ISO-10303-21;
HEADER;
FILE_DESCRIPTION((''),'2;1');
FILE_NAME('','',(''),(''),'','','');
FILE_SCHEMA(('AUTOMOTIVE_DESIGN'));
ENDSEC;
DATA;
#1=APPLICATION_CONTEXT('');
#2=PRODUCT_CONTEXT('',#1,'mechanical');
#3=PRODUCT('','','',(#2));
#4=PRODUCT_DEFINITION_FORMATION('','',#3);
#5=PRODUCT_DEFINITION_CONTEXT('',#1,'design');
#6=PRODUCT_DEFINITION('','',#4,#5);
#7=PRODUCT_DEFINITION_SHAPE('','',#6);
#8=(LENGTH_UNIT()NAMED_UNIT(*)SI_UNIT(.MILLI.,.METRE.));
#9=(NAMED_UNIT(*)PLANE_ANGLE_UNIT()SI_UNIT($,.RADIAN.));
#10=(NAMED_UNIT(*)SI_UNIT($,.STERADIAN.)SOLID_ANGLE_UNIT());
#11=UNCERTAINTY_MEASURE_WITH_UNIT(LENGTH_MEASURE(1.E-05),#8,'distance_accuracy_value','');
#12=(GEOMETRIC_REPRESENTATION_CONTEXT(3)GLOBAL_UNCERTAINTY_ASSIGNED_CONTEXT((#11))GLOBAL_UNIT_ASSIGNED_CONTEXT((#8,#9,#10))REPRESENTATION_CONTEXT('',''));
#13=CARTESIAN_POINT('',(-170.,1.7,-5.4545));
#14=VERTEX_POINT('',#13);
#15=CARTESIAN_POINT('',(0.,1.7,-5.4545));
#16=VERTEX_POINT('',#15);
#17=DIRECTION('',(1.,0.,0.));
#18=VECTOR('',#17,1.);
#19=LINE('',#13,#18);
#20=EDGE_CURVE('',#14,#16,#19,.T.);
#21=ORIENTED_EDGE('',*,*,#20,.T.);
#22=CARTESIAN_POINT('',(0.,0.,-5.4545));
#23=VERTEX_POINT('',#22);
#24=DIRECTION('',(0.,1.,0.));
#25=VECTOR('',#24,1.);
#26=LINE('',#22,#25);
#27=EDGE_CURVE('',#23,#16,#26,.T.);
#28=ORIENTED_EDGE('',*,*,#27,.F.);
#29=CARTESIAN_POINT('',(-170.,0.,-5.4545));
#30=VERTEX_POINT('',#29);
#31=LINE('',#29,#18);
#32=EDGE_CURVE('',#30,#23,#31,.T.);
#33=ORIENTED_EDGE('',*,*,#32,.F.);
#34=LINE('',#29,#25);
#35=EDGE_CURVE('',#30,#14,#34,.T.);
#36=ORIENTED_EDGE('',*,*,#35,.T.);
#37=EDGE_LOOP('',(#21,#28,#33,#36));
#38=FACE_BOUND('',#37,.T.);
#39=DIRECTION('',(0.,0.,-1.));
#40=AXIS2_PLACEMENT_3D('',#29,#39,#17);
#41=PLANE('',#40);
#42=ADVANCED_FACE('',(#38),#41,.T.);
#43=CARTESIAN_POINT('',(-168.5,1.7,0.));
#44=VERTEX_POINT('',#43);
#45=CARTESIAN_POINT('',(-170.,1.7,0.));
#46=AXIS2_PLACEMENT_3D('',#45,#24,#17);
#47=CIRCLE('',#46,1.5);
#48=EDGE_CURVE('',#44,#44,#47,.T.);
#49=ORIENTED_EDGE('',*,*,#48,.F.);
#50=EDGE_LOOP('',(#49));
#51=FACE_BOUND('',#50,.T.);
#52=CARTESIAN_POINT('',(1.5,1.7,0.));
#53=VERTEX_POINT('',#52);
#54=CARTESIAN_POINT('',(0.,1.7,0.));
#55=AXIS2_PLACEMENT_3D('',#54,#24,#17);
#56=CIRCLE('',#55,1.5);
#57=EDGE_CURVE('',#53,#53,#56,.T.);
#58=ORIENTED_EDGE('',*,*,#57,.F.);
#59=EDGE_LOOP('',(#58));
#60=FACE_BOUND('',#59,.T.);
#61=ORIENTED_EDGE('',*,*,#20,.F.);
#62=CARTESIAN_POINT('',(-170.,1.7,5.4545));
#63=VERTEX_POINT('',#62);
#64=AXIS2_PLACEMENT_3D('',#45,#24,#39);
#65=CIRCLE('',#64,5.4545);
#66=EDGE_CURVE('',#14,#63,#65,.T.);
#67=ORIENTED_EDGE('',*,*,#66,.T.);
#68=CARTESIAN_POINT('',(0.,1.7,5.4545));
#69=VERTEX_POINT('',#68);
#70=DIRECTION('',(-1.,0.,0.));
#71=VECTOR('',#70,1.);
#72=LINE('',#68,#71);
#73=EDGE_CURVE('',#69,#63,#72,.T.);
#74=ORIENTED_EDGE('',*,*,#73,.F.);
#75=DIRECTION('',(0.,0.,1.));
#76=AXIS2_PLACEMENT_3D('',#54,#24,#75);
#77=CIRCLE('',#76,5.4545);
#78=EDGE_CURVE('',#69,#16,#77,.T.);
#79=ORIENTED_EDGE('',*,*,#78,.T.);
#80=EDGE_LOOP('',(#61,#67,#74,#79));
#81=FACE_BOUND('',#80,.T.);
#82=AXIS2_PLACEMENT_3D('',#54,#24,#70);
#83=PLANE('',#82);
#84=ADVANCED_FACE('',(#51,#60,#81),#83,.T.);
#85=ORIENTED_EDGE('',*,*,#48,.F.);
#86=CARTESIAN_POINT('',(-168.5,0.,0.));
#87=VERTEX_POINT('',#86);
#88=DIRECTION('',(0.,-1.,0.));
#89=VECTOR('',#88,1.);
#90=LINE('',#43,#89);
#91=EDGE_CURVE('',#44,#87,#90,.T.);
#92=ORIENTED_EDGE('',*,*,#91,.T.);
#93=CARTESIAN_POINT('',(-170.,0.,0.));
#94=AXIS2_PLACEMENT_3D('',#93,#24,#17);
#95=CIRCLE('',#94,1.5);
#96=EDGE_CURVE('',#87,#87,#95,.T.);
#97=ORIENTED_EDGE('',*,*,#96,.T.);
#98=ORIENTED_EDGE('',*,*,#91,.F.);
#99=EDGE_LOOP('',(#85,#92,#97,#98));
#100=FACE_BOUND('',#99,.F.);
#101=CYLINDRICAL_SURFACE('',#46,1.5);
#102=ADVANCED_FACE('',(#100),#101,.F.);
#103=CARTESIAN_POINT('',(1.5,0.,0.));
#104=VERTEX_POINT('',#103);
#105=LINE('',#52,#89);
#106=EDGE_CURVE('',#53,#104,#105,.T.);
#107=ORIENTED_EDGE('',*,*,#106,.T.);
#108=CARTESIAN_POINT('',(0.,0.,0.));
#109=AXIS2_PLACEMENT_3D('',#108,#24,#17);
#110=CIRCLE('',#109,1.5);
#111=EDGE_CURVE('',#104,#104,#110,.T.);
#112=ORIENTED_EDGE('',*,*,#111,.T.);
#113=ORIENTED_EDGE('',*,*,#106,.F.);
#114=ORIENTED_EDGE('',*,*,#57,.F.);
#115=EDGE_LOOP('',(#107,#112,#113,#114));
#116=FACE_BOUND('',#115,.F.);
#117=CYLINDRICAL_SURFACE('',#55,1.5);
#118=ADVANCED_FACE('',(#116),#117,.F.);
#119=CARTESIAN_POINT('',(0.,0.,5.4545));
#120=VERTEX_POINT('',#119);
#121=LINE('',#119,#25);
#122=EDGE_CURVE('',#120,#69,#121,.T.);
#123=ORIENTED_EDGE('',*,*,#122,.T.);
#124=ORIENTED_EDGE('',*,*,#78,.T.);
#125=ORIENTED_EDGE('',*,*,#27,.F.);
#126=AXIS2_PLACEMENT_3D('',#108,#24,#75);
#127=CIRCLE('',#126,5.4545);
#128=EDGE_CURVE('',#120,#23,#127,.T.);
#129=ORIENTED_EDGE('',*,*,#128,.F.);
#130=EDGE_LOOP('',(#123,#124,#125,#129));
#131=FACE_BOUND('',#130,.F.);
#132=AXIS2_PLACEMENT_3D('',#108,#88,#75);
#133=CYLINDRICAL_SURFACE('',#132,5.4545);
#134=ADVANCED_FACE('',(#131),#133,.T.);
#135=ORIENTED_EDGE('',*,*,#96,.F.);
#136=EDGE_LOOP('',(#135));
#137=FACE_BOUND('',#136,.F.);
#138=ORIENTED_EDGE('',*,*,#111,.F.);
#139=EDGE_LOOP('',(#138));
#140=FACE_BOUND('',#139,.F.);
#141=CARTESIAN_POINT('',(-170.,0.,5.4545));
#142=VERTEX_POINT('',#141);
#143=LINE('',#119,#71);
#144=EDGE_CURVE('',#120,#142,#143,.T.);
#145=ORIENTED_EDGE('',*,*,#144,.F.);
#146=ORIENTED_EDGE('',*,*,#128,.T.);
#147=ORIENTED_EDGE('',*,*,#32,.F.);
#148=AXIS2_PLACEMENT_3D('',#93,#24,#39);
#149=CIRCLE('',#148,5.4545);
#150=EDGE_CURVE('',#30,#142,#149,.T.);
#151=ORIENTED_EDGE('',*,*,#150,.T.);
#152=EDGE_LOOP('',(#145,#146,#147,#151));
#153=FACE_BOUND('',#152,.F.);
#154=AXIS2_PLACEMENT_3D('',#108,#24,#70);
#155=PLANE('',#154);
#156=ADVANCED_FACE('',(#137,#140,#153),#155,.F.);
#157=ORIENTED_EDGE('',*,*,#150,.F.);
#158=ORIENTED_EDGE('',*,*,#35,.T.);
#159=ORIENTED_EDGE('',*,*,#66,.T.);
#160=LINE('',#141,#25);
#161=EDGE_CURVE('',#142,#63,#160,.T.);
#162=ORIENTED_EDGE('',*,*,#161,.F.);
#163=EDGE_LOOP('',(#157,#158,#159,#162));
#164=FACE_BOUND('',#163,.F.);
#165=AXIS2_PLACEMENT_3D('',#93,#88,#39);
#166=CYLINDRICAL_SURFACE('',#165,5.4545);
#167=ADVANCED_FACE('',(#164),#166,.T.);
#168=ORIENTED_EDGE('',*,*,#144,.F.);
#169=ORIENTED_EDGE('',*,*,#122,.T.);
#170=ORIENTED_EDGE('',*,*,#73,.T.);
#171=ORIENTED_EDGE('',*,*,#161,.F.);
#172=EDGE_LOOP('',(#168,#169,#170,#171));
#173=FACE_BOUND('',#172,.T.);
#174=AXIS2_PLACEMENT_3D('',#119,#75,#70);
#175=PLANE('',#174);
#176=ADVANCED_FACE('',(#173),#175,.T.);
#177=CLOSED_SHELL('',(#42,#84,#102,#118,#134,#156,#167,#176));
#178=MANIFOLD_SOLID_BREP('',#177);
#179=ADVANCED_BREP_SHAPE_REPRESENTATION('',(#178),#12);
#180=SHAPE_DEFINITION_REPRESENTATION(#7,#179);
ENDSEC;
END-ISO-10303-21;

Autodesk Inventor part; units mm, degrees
ref_plane "YZ Plane" through (0, 0, 0) normal (1, 0, 0) x (0, 1, 0)
ref_plane "XZ Plane" through (0, 0, 0) normal (0, 1, 0) x (-1, 0, 0)
ref_plane "XY Plane" through (0, 0, 0) normal (0, 0, 1) x (1, 0, 0)
sketch "Sketch1" plane through (0, 0, 0) normal (0, 1, 0) x (-1, 0, 0)
  arc A0 (0, 5.4545) -> (0, -5.4545) centre (0, 0) ccw
  arc A1 (170, -5.4545) -> (170, 5.4545) centre (170, 0) ccw
  line L0 (0, 5.4545) -> (170, 5.4545)
  line L1 (170, -5.4545) -> (0, -5.4545)
  dimension "d0" = 10.909
  dimension "d1" = 10.909
  dimension "d2" = 170
extrude "Extrusion1" add sketch "Sketch1" along normal blind 1.7
sketch "Sketch2" plane through (0, 1.7, 0) normal (0, 1, 0) x (1, 0, 0)
  arc A0 (0, -5.4545) -> (0, 5.4545) centre (0, 0) ccw projected
  arc A1 (-170, 5.4545) -> (-170, -5.4545) centre (-170, 0) ccw projected
  circle A2 centre (0, 0) radius 1.5
  circle A3 centre (-170, 0) radius 1.5
  dimension "d5" = 3
  dimension "d6" = 3
extrude "Extrusion2" cut sketch "Sketch2" against normal blind 1.7
equation "\"BendRadius\" = Thickness"
equation "\"BendReliefWidth\" = Thickness"
equation "\"BendReliefDepth\" = 0.5 * Thickness"
equation "\"CornerReliefSize\" = 4 * Thickness"
equation "\"MinimumRemnant\" = 2 * Thickness"
equation "\"TransitionRadius\" = BendRadius"
equation "\"JacobiRadiusSize\" = BendRadius"
equation "\"GapSize\" = Thickness"
equation "\"Thickness\" = 3.048"
properties part number "A1P2"
